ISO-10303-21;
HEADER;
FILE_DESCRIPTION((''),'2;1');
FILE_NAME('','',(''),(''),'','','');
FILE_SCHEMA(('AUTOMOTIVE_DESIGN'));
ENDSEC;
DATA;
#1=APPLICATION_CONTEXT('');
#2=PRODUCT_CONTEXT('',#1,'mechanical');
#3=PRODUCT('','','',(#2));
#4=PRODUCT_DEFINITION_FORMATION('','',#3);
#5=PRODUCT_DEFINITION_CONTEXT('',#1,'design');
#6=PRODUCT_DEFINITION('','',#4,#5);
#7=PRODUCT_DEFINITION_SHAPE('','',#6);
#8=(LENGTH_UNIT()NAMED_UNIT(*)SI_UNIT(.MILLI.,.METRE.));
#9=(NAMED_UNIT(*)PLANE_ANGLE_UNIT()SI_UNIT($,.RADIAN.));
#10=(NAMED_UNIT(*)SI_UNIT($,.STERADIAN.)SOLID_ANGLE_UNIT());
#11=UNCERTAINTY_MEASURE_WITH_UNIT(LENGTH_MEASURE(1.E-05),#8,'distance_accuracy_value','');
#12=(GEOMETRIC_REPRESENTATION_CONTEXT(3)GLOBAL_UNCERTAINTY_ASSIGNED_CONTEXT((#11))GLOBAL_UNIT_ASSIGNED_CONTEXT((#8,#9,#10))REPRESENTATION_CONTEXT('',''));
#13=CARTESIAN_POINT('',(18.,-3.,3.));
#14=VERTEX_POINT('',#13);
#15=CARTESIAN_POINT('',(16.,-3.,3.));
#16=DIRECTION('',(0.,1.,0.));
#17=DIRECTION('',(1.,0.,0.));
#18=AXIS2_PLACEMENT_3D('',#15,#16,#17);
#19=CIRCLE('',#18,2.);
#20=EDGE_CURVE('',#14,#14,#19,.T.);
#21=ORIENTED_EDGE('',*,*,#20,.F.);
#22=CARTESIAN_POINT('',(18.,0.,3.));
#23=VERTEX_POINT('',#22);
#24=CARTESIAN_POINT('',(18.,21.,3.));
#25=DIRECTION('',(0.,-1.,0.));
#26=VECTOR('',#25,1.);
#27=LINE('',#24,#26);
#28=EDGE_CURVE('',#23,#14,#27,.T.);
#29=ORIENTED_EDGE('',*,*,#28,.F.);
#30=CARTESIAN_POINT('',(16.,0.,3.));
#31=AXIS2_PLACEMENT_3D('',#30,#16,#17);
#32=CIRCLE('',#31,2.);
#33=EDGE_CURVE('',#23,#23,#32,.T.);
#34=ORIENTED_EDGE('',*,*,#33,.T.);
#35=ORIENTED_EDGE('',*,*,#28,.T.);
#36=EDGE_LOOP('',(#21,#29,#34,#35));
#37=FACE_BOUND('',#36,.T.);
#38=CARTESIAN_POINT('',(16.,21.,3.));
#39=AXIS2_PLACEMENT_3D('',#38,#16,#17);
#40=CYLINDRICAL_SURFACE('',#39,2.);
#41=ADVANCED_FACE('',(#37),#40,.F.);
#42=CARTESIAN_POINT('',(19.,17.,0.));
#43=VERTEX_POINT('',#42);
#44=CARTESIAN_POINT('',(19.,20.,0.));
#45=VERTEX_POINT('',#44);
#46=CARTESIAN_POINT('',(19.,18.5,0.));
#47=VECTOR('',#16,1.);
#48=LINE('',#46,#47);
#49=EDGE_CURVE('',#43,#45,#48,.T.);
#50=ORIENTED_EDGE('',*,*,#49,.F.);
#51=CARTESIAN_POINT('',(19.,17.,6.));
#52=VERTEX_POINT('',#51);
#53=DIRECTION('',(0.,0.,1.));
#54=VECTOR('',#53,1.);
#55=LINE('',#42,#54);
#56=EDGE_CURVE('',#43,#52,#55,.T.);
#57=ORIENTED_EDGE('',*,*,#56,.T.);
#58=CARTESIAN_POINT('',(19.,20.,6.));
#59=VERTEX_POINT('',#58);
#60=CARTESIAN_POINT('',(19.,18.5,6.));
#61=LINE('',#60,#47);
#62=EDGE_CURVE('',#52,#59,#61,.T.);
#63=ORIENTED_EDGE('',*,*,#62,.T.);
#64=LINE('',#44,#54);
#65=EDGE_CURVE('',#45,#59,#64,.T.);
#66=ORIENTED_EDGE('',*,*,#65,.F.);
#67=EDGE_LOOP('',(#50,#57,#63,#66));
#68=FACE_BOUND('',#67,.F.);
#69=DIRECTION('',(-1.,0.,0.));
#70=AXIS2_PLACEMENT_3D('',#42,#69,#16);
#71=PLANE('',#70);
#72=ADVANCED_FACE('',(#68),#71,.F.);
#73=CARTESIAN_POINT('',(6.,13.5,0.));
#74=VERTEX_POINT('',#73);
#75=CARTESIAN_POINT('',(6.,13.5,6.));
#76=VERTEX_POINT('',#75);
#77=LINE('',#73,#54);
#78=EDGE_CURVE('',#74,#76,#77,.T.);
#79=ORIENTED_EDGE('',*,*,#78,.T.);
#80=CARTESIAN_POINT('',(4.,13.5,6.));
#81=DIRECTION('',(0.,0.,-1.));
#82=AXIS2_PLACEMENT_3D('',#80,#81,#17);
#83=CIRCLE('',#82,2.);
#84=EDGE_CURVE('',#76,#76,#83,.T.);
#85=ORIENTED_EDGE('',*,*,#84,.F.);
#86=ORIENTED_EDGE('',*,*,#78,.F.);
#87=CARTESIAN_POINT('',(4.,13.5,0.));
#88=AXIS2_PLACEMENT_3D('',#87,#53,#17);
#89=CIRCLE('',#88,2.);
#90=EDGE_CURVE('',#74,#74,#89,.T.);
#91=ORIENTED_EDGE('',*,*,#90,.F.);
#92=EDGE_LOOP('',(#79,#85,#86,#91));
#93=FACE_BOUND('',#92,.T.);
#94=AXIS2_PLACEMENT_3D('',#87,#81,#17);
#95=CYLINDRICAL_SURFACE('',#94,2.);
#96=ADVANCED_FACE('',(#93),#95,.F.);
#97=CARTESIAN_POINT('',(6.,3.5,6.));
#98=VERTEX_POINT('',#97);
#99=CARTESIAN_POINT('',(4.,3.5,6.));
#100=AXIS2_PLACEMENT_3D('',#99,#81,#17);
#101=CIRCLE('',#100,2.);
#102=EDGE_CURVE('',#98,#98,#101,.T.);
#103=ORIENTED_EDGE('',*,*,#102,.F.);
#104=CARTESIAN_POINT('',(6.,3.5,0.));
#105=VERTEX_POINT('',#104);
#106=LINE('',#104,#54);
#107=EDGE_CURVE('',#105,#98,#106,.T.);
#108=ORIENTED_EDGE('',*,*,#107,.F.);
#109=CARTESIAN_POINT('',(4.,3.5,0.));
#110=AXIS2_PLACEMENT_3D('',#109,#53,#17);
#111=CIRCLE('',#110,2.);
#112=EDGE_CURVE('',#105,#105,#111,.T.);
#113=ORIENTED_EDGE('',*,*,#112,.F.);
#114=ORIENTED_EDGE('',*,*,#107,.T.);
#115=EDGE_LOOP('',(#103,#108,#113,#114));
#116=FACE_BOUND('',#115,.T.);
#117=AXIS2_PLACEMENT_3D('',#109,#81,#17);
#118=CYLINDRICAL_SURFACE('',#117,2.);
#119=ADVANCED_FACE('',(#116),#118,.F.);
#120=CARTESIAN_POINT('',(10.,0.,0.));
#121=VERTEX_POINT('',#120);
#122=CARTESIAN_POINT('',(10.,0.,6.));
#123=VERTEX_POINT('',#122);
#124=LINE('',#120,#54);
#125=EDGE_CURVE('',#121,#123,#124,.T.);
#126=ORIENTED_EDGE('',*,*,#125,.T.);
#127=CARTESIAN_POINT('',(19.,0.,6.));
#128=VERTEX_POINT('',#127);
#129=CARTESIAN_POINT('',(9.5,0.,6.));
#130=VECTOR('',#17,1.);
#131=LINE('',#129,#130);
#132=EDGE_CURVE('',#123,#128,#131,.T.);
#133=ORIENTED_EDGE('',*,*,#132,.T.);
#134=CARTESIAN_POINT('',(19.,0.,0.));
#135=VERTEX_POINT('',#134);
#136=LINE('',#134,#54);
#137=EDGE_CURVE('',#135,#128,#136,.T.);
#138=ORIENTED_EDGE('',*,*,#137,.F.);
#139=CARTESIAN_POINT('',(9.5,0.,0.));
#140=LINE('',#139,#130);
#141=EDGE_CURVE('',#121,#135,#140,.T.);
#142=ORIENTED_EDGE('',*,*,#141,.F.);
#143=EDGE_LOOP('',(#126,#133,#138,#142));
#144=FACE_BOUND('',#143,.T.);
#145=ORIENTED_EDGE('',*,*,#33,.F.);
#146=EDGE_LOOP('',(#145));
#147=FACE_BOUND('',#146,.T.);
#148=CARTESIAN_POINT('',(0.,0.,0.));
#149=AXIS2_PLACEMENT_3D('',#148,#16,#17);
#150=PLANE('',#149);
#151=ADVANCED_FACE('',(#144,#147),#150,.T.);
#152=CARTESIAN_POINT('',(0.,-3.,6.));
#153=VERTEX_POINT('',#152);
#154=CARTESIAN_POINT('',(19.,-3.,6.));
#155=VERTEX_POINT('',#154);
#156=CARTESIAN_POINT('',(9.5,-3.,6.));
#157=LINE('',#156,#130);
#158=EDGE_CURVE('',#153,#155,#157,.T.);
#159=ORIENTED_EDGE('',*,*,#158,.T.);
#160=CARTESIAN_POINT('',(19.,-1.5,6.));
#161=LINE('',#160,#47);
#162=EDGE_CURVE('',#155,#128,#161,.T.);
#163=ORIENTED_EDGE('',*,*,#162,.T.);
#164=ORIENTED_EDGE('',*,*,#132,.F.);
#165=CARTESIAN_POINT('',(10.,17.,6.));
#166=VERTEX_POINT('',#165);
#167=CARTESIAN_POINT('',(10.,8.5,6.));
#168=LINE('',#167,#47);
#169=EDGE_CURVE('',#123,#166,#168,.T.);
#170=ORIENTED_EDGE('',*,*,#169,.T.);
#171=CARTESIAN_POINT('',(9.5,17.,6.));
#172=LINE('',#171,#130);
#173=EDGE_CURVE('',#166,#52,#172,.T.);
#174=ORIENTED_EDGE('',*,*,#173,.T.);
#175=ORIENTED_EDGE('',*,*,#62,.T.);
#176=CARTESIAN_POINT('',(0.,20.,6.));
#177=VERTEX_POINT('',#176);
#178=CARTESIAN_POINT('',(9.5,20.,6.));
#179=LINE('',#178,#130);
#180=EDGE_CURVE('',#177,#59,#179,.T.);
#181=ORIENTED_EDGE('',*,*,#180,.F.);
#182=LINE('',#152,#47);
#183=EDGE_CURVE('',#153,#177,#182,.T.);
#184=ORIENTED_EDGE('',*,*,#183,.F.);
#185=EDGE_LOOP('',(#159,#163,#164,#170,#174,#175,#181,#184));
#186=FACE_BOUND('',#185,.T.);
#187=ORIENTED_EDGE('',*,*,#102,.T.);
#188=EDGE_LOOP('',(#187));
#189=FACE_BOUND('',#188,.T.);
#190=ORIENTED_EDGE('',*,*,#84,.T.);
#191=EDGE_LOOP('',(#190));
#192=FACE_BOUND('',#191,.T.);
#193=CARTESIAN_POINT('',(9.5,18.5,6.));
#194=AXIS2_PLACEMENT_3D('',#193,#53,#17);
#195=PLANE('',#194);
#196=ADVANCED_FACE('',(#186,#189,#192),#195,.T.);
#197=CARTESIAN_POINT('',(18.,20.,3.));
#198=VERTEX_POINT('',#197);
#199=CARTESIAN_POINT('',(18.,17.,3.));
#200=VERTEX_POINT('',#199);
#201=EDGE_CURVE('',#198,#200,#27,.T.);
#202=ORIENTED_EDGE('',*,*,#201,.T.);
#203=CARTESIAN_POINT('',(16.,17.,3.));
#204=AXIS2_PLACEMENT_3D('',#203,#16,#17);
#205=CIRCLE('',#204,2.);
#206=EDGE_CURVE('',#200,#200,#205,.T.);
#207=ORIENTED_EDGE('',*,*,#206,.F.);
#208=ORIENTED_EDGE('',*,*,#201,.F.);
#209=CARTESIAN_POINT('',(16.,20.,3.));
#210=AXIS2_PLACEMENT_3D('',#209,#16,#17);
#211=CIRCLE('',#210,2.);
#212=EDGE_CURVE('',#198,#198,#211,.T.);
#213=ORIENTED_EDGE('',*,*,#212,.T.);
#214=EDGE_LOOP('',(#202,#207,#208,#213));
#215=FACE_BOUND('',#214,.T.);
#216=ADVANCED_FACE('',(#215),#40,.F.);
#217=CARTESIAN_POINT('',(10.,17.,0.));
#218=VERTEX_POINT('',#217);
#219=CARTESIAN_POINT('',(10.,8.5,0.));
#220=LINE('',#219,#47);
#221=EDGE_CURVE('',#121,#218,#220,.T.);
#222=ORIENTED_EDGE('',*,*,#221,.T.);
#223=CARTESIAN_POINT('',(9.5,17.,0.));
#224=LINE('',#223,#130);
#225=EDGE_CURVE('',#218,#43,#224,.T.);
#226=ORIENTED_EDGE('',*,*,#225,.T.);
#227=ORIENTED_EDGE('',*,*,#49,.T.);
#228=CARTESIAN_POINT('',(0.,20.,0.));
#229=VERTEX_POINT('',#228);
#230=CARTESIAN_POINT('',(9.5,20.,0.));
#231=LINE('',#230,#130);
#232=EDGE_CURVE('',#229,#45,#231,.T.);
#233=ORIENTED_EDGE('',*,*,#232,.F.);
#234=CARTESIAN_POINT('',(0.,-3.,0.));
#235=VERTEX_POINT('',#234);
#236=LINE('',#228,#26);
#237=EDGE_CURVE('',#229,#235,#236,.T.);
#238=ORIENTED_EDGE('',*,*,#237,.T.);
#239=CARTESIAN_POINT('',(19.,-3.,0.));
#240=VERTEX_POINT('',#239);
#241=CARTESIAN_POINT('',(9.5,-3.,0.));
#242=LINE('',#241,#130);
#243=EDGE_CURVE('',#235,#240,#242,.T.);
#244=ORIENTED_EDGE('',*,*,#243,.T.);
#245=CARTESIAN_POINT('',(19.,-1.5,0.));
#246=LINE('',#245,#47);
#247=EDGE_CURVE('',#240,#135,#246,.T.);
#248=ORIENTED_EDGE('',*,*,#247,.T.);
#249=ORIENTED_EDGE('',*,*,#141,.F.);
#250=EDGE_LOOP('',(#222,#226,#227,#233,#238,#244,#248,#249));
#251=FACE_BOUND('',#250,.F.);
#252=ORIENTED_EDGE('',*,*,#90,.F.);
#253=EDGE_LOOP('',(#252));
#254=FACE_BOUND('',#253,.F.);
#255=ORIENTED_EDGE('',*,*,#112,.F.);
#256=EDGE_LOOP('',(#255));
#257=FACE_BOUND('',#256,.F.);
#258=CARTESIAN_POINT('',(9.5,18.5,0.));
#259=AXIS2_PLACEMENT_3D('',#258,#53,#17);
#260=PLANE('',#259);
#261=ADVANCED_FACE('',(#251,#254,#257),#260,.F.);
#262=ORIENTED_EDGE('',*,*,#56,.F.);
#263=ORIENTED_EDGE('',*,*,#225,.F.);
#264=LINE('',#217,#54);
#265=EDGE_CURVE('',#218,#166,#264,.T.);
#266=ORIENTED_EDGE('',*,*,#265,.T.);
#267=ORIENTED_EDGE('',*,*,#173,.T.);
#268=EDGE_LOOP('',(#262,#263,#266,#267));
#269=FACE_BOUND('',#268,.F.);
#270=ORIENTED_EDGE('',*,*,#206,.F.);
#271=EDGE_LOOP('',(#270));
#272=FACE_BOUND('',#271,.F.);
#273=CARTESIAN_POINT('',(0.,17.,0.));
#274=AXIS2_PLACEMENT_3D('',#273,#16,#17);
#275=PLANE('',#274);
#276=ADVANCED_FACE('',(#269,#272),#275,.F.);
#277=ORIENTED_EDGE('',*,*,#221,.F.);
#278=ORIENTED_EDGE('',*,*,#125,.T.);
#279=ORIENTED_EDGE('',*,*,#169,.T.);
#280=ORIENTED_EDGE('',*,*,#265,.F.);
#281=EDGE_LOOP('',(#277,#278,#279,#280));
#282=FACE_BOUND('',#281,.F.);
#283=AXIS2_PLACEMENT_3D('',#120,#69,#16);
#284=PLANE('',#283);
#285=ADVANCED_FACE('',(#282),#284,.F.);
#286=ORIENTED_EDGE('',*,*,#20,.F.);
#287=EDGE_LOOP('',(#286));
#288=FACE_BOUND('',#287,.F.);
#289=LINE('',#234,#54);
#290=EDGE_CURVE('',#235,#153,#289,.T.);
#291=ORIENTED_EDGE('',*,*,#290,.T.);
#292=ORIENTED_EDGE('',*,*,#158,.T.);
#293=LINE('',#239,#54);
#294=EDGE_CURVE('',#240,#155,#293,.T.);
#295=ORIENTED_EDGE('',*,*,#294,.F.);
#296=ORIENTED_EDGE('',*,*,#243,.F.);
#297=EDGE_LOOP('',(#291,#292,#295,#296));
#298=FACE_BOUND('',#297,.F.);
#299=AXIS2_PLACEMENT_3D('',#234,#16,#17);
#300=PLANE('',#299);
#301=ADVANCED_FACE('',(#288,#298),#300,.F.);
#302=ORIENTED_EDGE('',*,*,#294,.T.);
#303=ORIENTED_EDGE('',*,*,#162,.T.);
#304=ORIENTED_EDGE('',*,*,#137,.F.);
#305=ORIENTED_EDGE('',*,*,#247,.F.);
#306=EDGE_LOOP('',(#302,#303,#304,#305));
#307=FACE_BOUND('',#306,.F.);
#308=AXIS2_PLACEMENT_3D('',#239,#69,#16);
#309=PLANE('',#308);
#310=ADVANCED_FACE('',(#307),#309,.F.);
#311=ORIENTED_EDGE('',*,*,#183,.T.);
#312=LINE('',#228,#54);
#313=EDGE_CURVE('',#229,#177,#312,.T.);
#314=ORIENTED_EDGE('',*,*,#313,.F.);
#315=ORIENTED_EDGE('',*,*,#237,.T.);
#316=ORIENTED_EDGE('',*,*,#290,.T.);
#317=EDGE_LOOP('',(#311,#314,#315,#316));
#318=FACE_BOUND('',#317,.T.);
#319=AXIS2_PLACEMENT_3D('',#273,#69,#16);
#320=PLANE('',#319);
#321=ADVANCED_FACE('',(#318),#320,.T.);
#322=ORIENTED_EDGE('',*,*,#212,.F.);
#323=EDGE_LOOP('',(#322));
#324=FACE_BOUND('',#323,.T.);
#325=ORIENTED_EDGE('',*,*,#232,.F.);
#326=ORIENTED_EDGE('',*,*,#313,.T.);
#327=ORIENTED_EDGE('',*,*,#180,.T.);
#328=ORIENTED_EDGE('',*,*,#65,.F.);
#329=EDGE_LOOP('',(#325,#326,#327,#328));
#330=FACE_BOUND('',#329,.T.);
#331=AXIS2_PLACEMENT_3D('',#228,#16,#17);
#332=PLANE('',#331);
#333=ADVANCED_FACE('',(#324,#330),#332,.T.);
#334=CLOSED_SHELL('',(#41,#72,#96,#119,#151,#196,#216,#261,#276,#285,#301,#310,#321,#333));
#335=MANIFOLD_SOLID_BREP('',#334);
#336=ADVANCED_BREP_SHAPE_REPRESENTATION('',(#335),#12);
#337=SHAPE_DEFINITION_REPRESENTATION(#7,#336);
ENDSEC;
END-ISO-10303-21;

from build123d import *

# Parameters (mm, degrees)
CYLINDER003_R          = 2
CYLINDER003_DEPTH      = 25
CYLINDER003_ROLL_ANGLE = 90
BOX001_W               = 19
BOX001_H               = 3
BOX001_DEPTH           = 6
BOX002_W               = 19
BOX002_H               = 3
BOX002_DEPTH           = 6
CYLINDER002_R          = 2
CYLINDER002_DEPTH      = 10
CYLINDER001_R          = 2
CYLINDER001_DEPTH      = 10
CYLINDER_R             = 2
CYLINDER_DEPTH         = 10
BOX_W                  = 10
BOX_H                  = 17
BOX_DEPTH              = 6


with BuildPart() as cylinder003:
    # Cylinder003 → Cylinder003 (new body)
    with BuildSketch(Plane.XY):
        Circle(CYLINDER003_R)
    extrude(amount=CYLINDER003_DEPTH)


with BuildPart() as cylinder003_1:
    # Cylinder003 roll: moved
    add(cylinder003.part.rotate(Axis((0, 0, 0), (1, 0, 0)), CYLINDER003_ROLL_ANGLE))


with BuildPart() as cylinder003_2:
    # Cylinder003 placement: moved
    add(cylinder003_1.part.moved(Location((16, 21, 3))))


with BuildPart() as cube001:
    # Box001 → Box001 (new body)
    with BuildSketch(Plane(origin=(0, -3, 0), x_dir=(1, 0, 0), z_dir=(0, 0, 1))):
        with Locations((9.5, 1.5)):
            Rectangle(BOX001_W, BOX001_H)
    extrude(amount=BOX001_DEPTH)


with BuildPart() as cube002:
    # Box002 → Box002 (new body)
    with BuildSketch(Plane(origin=(0, 17, 0), x_dir=(1, 0, 0), z_dir=(0, 0, 1))):
        with Locations((9.5, 1.5)):
            Rectangle(BOX002_W, BOX002_H)
    extrude(amount=BOX002_DEPTH)


with BuildPart() as cylinder002:
    # Cylinder002 → Cylinder002 (new body)
    with BuildSketch(Plane(origin=(4, 13.5, 0), x_dir=(1, 0, 0), z_dir=(0, 0, 1))):
        Circle(CYLINDER002_R)
    extrude(amount=CYLINDER002_DEPTH)


with BuildPart() as cylinder001:
    # Cylinder001 → Cylinder001 (new body)
    with BuildSketch(Plane(origin=(4, 3.5, 0), x_dir=(1, 0, 0), z_dir=(0, 0, 1))):
        Circle(CYLINDER001_R)
    extrude(amount=CYLINDER001_DEPTH)


with BuildPart() as cylinder:
    # Cylinder → Cylinder (new body)
    with BuildSketch(Plane(origin=(4, 3.5, 0), x_dir=(1, 0, 0), z_dir=(0, 0, 1))):
        Circle(CYLINDER_R)
    extrude(amount=CYLINDER_DEPTH)


with BuildPart() as cut003:
    # Box → Box (new body)
    with BuildSketch(Plane.XY):
        with Locations((5, 8.5)):
            Rectangle(BOX_W, BOX_H)
    extrude(amount=BOX_DEPTH)

    # Cut: cut Cylinder
    add(cylinder.part, mode=Mode.SUBTRACT)

    # Cut001: cut Cylinder001
    add(cylinder001.part, mode=Mode.SUBTRACT)

    # Cut002: cut Cylinder002
    add(cylinder002.part, mode=Mode.SUBTRACT)

    # Fusion: union Cube001, Cube002
    add(cube001.part)
    add(cube002.part)

    # Cut003: cut Cylinder003
    add(cylinder003_2.part, mode=Mode.SUBTRACT)


solid = cut003.part
